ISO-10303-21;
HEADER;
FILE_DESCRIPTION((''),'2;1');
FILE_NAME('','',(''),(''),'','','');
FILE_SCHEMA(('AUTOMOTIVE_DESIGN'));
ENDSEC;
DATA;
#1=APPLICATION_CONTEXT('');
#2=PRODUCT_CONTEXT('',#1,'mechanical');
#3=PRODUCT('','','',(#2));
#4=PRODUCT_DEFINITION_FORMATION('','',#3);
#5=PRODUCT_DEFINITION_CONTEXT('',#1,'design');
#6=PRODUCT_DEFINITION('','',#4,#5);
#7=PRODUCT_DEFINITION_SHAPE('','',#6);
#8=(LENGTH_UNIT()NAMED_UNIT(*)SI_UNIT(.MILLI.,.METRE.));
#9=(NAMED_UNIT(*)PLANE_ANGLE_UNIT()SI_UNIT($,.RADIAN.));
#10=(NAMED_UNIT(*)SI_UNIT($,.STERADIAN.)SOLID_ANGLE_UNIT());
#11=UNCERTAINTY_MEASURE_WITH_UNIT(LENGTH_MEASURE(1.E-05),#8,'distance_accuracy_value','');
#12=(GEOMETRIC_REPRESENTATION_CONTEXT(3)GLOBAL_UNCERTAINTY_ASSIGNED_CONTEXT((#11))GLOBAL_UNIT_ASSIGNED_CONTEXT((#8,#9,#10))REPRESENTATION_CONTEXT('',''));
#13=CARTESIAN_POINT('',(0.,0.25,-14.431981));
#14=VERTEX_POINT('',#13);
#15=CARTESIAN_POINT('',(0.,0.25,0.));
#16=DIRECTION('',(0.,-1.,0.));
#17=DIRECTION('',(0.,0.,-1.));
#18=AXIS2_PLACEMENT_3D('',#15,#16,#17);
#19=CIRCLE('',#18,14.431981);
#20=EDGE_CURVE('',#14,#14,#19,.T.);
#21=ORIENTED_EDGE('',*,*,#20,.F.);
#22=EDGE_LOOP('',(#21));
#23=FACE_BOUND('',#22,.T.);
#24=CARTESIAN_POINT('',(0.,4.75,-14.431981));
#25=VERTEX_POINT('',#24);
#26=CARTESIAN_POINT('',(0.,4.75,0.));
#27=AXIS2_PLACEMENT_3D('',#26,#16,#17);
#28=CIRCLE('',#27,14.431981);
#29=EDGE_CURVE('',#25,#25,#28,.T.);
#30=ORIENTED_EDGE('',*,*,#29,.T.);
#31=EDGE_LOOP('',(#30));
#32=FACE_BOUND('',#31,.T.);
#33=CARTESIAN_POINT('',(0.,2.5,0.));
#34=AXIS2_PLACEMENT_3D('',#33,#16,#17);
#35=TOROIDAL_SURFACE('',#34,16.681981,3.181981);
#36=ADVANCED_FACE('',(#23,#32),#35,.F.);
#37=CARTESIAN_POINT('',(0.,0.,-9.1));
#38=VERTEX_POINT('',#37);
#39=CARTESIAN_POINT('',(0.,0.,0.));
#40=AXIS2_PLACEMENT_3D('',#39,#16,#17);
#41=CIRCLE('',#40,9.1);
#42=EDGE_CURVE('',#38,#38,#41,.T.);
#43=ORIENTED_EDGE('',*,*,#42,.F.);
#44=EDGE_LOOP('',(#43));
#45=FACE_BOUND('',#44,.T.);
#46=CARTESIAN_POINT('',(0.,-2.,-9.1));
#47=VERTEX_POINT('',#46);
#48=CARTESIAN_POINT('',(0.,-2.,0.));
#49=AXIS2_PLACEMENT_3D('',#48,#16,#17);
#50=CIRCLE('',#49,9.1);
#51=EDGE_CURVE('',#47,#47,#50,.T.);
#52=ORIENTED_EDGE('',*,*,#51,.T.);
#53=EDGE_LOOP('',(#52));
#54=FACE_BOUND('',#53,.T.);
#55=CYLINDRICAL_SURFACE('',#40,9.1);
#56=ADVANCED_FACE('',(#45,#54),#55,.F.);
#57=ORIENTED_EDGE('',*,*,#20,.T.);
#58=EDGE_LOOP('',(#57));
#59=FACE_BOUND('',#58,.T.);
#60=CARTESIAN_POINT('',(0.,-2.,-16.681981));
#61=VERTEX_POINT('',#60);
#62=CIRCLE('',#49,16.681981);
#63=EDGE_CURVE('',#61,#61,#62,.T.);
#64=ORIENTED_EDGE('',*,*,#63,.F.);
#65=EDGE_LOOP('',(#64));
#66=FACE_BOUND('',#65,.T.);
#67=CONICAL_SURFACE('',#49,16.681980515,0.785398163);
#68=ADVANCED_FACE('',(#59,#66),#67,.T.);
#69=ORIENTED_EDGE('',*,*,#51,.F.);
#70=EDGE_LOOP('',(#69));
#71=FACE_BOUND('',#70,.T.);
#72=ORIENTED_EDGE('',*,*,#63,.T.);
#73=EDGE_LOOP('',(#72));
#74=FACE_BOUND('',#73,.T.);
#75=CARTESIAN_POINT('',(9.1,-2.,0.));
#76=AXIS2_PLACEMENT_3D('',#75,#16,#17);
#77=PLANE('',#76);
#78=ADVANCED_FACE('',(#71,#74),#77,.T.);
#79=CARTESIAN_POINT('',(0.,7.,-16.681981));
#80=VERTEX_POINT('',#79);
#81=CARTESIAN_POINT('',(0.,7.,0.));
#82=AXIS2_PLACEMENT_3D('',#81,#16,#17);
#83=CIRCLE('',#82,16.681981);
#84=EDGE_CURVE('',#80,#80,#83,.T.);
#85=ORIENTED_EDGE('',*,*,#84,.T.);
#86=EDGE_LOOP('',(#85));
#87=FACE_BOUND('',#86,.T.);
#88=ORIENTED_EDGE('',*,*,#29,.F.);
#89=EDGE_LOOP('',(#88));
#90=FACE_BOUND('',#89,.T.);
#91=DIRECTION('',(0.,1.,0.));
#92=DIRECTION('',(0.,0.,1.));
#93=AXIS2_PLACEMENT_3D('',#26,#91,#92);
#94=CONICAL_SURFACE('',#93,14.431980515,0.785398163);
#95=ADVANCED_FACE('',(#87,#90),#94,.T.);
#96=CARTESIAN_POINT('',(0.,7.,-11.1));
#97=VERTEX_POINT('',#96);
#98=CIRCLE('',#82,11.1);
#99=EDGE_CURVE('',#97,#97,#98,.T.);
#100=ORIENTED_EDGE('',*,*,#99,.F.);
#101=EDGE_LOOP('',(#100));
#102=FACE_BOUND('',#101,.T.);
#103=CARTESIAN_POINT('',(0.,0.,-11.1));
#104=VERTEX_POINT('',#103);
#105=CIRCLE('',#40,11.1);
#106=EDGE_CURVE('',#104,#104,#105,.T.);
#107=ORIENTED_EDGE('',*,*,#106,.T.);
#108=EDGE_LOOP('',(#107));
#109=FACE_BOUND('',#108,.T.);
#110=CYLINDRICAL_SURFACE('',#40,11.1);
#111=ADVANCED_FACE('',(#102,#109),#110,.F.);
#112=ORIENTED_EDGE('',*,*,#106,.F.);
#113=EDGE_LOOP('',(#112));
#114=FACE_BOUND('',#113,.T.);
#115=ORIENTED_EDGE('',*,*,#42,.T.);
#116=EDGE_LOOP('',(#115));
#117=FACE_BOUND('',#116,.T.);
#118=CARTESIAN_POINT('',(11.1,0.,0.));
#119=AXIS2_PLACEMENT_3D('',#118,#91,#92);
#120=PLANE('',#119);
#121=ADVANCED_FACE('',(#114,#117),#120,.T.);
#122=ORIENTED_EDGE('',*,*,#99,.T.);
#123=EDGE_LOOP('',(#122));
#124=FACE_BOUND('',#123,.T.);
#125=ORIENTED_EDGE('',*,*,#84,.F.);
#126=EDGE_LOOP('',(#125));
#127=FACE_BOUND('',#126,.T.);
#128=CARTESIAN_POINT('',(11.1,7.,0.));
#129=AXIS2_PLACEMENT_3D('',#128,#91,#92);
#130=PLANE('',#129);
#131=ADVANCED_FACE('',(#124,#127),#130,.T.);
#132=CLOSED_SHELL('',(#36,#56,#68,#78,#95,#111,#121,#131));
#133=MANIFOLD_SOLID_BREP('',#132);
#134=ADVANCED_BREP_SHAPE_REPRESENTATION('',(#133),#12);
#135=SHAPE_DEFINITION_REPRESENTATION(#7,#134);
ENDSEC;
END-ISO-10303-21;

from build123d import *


with BuildPart() as part:
    # Sketch1 → Revolve1 (revolve)
    with BuildSketch(Plane.XY, mode=Mode.PRIVATE) as revolve1_sk:
        with BuildLine():
            Line((11.1, 0), (11.1, 7))
            Line((11.1, 7), (16.681980515, 7))
            Line((16.681980515, 7), (14.431980515, 4.75))
            ThreePointArc((14.431980515, 4.75), (13.5, 2.5), (14.431980515, 0.25))
            Line((14.431980515, 0.25), (16.681980515, -2))
            Line((16.681980515, -2), (9.1, -2))
            Line((9.1, -2), (9.1, 0))
            Line((9.1, 0), (11.1, 0))
        make_face()
    revolve(revolve1_sk.sketch.rotate(Axis((0, 0, 0), (0, 1, 0)), 90), axis=Axis((0, 0, 0), (0, 1, 0)))


solid = part.part
